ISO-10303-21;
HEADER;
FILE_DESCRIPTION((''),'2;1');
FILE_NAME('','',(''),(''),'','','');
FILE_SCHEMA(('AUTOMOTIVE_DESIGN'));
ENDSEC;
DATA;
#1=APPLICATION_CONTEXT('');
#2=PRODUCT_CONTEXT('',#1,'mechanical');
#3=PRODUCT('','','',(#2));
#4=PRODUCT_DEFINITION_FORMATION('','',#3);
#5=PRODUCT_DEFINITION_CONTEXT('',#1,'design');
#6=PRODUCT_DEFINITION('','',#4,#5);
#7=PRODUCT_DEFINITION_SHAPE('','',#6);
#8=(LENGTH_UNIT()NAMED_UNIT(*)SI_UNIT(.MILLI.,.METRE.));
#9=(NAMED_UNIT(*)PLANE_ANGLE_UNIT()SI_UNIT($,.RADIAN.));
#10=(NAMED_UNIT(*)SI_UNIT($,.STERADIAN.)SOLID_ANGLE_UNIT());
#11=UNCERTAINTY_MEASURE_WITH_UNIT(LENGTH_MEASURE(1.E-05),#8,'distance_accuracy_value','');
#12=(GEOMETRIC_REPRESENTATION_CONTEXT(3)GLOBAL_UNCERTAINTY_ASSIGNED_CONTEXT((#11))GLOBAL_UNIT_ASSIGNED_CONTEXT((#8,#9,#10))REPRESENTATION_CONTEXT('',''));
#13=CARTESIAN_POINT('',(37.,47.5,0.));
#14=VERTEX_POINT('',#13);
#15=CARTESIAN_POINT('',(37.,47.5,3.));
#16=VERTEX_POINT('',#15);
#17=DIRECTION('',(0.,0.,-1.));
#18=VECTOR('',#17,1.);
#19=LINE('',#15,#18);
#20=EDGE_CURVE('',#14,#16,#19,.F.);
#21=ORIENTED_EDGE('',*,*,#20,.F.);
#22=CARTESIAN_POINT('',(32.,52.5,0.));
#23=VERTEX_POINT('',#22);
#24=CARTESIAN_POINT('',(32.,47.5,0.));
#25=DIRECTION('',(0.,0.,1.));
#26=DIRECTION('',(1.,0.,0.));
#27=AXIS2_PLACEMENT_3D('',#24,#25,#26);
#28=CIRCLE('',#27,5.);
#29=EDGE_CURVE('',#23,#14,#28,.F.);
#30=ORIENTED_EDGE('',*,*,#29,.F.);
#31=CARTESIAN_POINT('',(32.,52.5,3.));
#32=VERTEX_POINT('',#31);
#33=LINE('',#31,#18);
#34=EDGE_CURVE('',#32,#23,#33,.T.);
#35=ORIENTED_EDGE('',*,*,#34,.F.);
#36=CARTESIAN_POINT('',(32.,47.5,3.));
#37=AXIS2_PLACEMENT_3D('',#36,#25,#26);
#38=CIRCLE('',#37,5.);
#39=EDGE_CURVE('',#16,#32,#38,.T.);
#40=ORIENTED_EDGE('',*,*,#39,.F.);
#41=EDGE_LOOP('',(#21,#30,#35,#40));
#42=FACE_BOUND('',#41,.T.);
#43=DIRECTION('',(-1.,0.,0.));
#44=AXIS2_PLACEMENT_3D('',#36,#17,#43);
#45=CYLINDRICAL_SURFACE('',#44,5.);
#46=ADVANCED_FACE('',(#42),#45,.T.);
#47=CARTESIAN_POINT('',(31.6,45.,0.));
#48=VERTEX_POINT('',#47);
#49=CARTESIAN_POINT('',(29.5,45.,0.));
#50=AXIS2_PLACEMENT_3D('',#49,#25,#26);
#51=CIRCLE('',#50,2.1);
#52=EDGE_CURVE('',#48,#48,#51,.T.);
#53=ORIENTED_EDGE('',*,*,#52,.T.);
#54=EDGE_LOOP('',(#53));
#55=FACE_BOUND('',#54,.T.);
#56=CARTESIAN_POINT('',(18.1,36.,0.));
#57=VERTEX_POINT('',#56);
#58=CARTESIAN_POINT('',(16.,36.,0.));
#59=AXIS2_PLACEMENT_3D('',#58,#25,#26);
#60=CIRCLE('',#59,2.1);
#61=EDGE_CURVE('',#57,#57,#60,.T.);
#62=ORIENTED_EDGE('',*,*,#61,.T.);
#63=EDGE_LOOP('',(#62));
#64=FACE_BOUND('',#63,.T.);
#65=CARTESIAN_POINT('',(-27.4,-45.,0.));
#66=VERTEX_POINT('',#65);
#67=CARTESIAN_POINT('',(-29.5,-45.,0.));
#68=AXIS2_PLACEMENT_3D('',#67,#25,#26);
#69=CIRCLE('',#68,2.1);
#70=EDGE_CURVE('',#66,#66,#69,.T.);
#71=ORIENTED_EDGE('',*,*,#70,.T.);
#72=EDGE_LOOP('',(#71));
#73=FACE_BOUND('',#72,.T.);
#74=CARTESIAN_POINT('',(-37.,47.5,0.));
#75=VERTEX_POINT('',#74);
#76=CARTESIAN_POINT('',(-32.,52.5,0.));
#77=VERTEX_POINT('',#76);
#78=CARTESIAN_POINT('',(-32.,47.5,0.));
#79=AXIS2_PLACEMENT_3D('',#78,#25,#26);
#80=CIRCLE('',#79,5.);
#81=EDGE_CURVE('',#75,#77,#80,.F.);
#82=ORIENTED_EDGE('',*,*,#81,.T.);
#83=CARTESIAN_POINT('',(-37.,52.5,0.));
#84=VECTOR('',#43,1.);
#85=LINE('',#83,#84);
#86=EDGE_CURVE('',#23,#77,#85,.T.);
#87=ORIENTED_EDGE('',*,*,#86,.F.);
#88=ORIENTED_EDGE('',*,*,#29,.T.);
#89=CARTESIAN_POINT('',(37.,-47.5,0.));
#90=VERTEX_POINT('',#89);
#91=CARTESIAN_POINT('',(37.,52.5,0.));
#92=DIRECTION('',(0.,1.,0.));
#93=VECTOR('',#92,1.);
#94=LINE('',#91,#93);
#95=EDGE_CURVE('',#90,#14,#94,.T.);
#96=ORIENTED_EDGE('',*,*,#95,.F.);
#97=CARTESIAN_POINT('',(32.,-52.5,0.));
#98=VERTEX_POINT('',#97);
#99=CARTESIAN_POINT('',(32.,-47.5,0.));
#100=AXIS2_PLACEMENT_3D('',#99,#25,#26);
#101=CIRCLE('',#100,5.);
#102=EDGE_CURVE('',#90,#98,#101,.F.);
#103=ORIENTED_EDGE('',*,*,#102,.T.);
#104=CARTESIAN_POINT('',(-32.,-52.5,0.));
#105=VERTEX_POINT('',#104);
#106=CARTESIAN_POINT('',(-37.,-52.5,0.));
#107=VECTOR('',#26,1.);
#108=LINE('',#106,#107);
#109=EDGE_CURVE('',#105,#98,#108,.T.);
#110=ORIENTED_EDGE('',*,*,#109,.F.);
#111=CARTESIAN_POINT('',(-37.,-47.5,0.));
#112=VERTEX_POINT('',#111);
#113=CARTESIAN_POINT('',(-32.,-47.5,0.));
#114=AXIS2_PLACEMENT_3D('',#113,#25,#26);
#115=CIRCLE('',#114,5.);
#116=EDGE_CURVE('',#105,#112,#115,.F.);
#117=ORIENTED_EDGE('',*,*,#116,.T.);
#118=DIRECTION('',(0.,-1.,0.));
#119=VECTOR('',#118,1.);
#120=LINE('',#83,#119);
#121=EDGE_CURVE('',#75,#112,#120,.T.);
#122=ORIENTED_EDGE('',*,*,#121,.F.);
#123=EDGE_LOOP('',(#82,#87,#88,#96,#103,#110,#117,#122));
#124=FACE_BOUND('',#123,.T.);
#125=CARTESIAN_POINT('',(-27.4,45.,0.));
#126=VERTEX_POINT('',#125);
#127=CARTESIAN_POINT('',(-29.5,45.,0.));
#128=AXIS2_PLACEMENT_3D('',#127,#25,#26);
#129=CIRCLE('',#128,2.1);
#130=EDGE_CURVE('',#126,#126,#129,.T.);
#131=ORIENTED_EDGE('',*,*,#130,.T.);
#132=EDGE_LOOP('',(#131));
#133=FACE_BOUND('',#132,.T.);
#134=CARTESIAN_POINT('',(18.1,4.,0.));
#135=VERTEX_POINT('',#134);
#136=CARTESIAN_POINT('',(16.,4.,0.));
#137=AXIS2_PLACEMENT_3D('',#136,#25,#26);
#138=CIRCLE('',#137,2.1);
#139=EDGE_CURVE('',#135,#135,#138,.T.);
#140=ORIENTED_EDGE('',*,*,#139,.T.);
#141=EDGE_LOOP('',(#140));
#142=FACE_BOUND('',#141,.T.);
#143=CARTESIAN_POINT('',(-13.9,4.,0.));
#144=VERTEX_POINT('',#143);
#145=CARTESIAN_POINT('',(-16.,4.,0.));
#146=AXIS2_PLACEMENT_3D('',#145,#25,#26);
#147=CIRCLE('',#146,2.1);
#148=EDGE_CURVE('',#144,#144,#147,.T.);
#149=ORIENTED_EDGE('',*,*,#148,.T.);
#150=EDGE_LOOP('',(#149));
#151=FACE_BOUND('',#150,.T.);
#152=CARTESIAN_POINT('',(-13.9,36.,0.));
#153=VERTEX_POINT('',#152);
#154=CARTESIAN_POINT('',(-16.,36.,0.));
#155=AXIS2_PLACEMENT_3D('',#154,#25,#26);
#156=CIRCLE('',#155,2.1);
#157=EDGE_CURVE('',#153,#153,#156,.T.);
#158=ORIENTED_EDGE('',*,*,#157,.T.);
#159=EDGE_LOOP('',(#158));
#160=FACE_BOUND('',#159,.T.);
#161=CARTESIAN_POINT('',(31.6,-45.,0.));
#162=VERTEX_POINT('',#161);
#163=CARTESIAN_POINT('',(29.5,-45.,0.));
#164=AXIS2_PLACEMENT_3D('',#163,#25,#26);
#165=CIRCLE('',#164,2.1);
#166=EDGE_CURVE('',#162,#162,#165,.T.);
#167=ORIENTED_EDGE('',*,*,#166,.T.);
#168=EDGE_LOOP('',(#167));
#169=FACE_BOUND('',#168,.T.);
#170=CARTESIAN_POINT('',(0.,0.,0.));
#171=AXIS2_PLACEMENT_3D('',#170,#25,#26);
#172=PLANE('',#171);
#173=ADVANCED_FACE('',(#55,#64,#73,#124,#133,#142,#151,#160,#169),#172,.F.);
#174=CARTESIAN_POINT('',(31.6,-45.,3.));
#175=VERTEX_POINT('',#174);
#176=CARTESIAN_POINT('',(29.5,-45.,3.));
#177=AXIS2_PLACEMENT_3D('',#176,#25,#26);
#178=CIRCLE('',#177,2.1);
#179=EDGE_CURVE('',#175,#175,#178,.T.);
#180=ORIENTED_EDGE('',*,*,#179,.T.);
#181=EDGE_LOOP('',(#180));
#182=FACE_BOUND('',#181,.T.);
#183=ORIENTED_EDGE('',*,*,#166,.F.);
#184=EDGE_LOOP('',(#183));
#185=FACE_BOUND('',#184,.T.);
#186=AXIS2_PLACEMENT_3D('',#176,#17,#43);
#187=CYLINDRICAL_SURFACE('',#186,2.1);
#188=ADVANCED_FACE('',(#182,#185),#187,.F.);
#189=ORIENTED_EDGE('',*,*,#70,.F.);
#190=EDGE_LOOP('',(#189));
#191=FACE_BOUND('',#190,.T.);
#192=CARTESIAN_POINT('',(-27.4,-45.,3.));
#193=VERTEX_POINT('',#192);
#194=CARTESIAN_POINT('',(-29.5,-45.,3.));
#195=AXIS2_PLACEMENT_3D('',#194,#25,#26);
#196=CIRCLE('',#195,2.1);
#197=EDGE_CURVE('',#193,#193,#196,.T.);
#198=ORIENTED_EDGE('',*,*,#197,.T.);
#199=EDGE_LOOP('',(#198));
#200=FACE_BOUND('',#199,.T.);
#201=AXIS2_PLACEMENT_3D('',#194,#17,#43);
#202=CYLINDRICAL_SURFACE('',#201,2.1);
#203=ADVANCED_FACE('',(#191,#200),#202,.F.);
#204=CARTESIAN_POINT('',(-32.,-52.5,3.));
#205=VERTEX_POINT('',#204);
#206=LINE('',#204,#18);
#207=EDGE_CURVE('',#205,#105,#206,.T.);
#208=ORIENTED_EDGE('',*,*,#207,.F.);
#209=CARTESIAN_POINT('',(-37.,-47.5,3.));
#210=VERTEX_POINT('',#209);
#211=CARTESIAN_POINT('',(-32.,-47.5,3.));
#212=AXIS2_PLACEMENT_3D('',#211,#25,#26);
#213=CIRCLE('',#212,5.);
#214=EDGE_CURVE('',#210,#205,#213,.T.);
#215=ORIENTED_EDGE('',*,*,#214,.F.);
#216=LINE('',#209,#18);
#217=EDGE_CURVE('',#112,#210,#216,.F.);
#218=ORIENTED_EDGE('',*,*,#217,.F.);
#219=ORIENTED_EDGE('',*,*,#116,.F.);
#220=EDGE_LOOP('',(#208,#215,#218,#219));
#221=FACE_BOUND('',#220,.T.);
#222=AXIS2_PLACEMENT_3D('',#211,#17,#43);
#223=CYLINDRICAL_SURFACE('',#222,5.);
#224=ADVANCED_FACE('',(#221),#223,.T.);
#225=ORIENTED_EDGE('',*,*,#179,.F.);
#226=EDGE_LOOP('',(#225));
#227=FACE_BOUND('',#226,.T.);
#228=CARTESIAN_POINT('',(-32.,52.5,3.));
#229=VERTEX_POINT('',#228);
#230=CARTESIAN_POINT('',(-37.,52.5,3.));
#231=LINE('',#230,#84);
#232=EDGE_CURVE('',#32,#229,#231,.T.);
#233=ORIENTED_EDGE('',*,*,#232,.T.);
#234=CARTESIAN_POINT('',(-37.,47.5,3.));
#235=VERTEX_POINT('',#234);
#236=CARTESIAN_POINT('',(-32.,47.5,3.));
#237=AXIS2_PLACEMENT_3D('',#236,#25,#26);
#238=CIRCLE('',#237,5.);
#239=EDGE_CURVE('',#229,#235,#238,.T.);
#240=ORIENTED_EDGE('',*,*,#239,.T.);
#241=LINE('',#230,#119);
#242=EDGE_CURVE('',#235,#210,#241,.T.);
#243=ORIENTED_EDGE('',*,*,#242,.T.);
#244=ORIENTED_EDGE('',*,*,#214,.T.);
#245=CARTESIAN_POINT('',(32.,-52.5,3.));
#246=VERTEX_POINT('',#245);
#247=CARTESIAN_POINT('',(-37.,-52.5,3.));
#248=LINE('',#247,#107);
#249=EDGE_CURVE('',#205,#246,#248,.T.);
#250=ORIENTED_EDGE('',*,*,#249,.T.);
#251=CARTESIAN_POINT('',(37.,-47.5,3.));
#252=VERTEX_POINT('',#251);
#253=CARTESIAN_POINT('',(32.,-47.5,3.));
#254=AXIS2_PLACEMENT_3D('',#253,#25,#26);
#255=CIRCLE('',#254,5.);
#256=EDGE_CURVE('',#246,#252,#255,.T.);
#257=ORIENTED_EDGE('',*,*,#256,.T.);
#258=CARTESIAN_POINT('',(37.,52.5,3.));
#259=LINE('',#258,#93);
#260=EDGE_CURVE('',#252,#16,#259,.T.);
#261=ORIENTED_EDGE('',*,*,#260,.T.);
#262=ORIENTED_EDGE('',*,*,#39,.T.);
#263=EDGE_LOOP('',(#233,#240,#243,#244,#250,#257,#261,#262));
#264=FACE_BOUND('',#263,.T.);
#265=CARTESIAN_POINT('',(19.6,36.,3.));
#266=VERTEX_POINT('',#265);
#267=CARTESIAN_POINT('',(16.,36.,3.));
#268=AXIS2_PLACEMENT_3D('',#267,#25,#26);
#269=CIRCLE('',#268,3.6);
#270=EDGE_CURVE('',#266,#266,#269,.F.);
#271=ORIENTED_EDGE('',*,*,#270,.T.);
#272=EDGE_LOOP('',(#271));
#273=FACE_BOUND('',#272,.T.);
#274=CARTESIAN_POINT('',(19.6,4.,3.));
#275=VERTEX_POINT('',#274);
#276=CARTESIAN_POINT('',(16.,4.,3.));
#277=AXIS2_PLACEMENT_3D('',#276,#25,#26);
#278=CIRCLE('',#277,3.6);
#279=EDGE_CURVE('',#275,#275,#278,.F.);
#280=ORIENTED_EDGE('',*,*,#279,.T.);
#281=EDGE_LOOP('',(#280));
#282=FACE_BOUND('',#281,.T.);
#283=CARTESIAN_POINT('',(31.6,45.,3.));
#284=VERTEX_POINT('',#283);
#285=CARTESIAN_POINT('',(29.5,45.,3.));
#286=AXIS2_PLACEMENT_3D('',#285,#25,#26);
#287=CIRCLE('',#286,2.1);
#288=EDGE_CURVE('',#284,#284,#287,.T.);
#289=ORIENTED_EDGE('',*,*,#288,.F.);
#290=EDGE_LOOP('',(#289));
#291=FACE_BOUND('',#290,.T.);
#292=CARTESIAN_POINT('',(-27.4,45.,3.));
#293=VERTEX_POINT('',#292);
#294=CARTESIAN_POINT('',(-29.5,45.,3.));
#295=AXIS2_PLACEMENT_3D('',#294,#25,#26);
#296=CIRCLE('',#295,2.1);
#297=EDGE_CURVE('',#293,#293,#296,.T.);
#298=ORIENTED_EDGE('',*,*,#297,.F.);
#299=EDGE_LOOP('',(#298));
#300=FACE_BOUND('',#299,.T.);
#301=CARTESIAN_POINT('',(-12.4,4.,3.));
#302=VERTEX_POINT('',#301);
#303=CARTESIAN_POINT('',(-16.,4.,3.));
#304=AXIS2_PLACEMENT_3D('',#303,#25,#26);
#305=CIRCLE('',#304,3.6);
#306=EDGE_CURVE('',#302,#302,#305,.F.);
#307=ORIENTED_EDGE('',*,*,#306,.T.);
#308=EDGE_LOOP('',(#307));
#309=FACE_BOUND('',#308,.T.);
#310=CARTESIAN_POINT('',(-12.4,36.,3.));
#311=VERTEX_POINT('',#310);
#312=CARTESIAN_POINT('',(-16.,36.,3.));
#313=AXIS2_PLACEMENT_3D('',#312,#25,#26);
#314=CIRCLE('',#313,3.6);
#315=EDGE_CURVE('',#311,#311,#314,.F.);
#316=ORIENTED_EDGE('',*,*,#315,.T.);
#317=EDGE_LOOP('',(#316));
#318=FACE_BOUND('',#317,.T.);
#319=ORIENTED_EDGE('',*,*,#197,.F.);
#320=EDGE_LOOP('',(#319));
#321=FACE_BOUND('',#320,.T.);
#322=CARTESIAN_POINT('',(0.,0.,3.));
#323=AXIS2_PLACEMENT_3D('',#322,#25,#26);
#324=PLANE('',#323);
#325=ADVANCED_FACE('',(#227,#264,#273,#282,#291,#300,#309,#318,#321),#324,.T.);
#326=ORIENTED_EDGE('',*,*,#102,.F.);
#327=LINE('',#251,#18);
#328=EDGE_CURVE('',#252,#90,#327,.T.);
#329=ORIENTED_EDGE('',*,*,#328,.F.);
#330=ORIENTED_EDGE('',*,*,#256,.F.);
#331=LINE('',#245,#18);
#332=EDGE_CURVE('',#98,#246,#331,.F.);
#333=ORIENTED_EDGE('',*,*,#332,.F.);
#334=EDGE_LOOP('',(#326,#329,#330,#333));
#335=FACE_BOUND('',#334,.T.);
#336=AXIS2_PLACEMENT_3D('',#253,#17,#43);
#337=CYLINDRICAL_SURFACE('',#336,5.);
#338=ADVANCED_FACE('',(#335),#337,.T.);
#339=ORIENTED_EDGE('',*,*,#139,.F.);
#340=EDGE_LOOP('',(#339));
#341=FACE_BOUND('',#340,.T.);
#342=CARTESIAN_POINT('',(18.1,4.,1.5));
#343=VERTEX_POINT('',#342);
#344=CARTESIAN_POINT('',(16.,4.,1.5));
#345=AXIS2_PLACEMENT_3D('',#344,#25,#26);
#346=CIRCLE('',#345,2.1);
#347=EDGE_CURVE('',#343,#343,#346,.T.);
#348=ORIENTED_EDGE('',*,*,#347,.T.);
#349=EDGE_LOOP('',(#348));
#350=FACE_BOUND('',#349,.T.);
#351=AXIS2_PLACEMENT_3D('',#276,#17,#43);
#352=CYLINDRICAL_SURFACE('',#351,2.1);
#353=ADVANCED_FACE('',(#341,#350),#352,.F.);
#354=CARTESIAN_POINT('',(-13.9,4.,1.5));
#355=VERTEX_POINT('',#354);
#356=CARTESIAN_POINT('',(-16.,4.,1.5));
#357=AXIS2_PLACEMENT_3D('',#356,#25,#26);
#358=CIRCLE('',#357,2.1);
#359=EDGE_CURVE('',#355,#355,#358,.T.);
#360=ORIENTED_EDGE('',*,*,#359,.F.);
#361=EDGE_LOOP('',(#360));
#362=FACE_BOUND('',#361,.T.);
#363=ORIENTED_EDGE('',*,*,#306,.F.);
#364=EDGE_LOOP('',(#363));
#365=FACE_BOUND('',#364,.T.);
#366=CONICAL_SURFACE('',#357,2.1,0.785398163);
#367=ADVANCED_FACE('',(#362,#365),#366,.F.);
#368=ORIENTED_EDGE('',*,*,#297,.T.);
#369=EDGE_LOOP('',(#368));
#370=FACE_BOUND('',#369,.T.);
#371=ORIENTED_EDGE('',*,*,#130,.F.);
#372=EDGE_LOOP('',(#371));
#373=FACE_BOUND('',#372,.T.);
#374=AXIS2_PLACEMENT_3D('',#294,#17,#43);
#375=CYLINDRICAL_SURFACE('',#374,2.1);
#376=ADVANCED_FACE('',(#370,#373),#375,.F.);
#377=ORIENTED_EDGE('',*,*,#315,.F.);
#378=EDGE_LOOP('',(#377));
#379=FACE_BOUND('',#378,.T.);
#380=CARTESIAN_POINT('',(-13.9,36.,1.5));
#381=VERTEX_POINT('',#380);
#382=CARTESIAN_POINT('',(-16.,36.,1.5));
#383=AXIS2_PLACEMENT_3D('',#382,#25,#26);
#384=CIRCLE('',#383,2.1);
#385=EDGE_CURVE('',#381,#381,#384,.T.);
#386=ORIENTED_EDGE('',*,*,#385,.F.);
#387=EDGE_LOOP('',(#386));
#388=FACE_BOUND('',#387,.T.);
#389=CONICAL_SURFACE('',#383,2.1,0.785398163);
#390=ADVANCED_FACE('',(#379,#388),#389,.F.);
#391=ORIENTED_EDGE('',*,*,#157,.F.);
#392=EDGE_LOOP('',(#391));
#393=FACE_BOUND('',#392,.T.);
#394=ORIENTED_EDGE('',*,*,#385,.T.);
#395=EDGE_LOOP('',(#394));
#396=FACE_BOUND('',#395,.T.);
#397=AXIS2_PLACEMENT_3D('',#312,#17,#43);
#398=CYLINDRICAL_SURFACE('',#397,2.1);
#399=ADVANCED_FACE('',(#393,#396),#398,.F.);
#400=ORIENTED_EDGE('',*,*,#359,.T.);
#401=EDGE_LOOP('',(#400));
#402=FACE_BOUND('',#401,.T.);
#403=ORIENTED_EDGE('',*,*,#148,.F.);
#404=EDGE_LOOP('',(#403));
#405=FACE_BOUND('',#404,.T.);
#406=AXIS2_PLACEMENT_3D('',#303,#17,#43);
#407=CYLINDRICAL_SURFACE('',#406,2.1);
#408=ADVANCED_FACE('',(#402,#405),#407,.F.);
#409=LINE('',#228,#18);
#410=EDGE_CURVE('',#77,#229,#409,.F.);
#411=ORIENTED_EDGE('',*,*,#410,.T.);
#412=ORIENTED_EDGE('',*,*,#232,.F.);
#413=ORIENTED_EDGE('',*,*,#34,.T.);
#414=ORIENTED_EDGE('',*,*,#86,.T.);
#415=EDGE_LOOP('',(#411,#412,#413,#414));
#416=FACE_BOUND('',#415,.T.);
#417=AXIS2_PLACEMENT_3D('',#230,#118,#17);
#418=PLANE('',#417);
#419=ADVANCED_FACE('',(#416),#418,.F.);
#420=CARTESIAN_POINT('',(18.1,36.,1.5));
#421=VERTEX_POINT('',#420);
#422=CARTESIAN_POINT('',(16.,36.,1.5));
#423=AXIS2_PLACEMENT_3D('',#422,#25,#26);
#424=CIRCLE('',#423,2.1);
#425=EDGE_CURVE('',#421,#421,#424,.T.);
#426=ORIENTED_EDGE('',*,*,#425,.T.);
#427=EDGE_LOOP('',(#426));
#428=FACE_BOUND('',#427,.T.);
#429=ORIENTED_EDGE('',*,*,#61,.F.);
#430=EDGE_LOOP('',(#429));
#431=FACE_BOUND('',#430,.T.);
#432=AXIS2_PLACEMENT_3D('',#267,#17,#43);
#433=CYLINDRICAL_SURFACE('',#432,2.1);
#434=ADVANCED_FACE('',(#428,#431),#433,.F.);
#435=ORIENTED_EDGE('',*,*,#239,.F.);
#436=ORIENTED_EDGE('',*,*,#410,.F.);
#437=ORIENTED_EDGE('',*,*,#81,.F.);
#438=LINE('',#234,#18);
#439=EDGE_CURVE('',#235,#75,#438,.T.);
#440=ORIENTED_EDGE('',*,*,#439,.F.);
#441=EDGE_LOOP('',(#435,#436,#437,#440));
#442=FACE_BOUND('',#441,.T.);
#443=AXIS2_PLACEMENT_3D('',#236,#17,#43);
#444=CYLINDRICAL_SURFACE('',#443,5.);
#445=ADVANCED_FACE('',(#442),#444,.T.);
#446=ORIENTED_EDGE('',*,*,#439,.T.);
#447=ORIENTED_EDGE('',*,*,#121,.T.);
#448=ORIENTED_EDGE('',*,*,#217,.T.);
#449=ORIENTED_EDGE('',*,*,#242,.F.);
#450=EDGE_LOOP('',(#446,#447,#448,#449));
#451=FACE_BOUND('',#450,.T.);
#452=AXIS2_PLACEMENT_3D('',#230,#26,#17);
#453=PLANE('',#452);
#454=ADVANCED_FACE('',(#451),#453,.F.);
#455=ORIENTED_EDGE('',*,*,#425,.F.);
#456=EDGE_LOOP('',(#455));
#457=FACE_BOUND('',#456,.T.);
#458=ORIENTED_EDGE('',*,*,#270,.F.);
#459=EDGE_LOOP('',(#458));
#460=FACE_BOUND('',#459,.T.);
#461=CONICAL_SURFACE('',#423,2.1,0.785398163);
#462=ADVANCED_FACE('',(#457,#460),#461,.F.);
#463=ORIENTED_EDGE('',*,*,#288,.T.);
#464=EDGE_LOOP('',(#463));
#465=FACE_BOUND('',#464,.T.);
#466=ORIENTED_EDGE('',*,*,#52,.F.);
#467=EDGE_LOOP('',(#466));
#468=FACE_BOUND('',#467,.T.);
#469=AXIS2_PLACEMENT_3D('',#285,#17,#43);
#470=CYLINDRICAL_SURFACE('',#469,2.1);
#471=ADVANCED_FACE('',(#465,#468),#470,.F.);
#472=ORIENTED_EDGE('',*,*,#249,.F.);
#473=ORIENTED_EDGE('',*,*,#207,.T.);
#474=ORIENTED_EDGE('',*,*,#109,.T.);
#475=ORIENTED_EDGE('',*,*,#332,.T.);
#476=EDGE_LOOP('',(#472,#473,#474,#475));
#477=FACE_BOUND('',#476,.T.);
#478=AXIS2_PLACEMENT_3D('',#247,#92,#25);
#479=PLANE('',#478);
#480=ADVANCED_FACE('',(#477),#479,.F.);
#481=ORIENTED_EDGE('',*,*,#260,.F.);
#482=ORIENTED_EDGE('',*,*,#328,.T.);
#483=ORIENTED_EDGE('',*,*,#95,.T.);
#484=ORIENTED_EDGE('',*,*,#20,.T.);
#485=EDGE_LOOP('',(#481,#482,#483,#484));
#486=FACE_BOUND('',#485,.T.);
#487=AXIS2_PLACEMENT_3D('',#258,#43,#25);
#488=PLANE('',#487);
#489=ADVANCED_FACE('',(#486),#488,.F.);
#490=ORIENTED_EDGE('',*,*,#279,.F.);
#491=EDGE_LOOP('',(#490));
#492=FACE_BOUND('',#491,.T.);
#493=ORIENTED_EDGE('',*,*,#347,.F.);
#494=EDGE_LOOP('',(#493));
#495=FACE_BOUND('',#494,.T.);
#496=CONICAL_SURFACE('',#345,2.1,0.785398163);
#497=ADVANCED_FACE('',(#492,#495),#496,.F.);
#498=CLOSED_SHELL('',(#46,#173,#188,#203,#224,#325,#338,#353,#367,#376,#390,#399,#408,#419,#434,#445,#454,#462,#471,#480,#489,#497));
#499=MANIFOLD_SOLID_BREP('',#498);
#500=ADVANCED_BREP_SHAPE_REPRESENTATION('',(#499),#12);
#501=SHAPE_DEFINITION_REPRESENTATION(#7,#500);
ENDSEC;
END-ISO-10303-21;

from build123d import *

# Parameters (mm, degrees)
SKETCH_1_W      = 74
SKETCH_1_H      = 105
SKETCH_1_R      = 2.1
EXTRUDE_1_DEPTH = 3
FILLET_1_R      = 5
CHAMFER_1_SIZE  = 1.5


with BuildPart() as part:
    # ｽｹｯﾁ1 → ﾎﾞｽ - 押し出し1 (new body)
    with BuildSketch(Plane.XY):
        Rectangle(SKETCH_1_W, SKETCH_1_H)
        with Locations((-16, 36)):
            Circle(SKETCH_1_R, mode=Mode.SUBTRACT)
        with Locations((16, 36)):
            Circle(SKETCH_1_R, mode=Mode.SUBTRACT)
        with Locations((-16, 4)):
            Circle(SKETCH_1_R, mode=Mode.SUBTRACT)
        with Locations((16, 4)):
            Circle(SKETCH_1_R, mode=Mode.SUBTRACT)
        with Locations((-29.5, 45)):
            Circle(SKETCH_1_R, mode=Mode.SUBTRACT)
        with Locations((-29.5, -45)):
            Circle(SKETCH_1_R, mode=Mode.SUBTRACT)
        with Locations((29.5, 45)):
            Circle(SKETCH_1_R, mode=Mode.SUBTRACT)
        with Locations((29.5, -45)):
            Circle(SKETCH_1_R, mode=Mode.SUBTRACT)
    extrude(amount=EXTRUDE_1_DEPTH)

    # ﾌｨﾚｯﾄ1
    fillet_1_edges = [part.edges().sort_by_distance(p)[0] for p in [
        (37, -52.5, 1.5),
        (-37, -52.5, 1.5),
        (-37, 52.5, 1.5),
        (37, 52.5, 1.5),
    ]]
    fillet(fillet_1_edges, radius=FILLET_1_R)

    # 面取り1
    chamfer_1_edges = [part.edges().sort_by_distance(p)[0] for p in [
        (-18.1, 36, 3),
        (13.9, 36, 3),
        (-18.1, 4, 3),
        (13.9, 4, 3),
    ]]
    chamfer(chamfer_1_edges, length=CHAMFER_1_SIZE)


solid = part.part
